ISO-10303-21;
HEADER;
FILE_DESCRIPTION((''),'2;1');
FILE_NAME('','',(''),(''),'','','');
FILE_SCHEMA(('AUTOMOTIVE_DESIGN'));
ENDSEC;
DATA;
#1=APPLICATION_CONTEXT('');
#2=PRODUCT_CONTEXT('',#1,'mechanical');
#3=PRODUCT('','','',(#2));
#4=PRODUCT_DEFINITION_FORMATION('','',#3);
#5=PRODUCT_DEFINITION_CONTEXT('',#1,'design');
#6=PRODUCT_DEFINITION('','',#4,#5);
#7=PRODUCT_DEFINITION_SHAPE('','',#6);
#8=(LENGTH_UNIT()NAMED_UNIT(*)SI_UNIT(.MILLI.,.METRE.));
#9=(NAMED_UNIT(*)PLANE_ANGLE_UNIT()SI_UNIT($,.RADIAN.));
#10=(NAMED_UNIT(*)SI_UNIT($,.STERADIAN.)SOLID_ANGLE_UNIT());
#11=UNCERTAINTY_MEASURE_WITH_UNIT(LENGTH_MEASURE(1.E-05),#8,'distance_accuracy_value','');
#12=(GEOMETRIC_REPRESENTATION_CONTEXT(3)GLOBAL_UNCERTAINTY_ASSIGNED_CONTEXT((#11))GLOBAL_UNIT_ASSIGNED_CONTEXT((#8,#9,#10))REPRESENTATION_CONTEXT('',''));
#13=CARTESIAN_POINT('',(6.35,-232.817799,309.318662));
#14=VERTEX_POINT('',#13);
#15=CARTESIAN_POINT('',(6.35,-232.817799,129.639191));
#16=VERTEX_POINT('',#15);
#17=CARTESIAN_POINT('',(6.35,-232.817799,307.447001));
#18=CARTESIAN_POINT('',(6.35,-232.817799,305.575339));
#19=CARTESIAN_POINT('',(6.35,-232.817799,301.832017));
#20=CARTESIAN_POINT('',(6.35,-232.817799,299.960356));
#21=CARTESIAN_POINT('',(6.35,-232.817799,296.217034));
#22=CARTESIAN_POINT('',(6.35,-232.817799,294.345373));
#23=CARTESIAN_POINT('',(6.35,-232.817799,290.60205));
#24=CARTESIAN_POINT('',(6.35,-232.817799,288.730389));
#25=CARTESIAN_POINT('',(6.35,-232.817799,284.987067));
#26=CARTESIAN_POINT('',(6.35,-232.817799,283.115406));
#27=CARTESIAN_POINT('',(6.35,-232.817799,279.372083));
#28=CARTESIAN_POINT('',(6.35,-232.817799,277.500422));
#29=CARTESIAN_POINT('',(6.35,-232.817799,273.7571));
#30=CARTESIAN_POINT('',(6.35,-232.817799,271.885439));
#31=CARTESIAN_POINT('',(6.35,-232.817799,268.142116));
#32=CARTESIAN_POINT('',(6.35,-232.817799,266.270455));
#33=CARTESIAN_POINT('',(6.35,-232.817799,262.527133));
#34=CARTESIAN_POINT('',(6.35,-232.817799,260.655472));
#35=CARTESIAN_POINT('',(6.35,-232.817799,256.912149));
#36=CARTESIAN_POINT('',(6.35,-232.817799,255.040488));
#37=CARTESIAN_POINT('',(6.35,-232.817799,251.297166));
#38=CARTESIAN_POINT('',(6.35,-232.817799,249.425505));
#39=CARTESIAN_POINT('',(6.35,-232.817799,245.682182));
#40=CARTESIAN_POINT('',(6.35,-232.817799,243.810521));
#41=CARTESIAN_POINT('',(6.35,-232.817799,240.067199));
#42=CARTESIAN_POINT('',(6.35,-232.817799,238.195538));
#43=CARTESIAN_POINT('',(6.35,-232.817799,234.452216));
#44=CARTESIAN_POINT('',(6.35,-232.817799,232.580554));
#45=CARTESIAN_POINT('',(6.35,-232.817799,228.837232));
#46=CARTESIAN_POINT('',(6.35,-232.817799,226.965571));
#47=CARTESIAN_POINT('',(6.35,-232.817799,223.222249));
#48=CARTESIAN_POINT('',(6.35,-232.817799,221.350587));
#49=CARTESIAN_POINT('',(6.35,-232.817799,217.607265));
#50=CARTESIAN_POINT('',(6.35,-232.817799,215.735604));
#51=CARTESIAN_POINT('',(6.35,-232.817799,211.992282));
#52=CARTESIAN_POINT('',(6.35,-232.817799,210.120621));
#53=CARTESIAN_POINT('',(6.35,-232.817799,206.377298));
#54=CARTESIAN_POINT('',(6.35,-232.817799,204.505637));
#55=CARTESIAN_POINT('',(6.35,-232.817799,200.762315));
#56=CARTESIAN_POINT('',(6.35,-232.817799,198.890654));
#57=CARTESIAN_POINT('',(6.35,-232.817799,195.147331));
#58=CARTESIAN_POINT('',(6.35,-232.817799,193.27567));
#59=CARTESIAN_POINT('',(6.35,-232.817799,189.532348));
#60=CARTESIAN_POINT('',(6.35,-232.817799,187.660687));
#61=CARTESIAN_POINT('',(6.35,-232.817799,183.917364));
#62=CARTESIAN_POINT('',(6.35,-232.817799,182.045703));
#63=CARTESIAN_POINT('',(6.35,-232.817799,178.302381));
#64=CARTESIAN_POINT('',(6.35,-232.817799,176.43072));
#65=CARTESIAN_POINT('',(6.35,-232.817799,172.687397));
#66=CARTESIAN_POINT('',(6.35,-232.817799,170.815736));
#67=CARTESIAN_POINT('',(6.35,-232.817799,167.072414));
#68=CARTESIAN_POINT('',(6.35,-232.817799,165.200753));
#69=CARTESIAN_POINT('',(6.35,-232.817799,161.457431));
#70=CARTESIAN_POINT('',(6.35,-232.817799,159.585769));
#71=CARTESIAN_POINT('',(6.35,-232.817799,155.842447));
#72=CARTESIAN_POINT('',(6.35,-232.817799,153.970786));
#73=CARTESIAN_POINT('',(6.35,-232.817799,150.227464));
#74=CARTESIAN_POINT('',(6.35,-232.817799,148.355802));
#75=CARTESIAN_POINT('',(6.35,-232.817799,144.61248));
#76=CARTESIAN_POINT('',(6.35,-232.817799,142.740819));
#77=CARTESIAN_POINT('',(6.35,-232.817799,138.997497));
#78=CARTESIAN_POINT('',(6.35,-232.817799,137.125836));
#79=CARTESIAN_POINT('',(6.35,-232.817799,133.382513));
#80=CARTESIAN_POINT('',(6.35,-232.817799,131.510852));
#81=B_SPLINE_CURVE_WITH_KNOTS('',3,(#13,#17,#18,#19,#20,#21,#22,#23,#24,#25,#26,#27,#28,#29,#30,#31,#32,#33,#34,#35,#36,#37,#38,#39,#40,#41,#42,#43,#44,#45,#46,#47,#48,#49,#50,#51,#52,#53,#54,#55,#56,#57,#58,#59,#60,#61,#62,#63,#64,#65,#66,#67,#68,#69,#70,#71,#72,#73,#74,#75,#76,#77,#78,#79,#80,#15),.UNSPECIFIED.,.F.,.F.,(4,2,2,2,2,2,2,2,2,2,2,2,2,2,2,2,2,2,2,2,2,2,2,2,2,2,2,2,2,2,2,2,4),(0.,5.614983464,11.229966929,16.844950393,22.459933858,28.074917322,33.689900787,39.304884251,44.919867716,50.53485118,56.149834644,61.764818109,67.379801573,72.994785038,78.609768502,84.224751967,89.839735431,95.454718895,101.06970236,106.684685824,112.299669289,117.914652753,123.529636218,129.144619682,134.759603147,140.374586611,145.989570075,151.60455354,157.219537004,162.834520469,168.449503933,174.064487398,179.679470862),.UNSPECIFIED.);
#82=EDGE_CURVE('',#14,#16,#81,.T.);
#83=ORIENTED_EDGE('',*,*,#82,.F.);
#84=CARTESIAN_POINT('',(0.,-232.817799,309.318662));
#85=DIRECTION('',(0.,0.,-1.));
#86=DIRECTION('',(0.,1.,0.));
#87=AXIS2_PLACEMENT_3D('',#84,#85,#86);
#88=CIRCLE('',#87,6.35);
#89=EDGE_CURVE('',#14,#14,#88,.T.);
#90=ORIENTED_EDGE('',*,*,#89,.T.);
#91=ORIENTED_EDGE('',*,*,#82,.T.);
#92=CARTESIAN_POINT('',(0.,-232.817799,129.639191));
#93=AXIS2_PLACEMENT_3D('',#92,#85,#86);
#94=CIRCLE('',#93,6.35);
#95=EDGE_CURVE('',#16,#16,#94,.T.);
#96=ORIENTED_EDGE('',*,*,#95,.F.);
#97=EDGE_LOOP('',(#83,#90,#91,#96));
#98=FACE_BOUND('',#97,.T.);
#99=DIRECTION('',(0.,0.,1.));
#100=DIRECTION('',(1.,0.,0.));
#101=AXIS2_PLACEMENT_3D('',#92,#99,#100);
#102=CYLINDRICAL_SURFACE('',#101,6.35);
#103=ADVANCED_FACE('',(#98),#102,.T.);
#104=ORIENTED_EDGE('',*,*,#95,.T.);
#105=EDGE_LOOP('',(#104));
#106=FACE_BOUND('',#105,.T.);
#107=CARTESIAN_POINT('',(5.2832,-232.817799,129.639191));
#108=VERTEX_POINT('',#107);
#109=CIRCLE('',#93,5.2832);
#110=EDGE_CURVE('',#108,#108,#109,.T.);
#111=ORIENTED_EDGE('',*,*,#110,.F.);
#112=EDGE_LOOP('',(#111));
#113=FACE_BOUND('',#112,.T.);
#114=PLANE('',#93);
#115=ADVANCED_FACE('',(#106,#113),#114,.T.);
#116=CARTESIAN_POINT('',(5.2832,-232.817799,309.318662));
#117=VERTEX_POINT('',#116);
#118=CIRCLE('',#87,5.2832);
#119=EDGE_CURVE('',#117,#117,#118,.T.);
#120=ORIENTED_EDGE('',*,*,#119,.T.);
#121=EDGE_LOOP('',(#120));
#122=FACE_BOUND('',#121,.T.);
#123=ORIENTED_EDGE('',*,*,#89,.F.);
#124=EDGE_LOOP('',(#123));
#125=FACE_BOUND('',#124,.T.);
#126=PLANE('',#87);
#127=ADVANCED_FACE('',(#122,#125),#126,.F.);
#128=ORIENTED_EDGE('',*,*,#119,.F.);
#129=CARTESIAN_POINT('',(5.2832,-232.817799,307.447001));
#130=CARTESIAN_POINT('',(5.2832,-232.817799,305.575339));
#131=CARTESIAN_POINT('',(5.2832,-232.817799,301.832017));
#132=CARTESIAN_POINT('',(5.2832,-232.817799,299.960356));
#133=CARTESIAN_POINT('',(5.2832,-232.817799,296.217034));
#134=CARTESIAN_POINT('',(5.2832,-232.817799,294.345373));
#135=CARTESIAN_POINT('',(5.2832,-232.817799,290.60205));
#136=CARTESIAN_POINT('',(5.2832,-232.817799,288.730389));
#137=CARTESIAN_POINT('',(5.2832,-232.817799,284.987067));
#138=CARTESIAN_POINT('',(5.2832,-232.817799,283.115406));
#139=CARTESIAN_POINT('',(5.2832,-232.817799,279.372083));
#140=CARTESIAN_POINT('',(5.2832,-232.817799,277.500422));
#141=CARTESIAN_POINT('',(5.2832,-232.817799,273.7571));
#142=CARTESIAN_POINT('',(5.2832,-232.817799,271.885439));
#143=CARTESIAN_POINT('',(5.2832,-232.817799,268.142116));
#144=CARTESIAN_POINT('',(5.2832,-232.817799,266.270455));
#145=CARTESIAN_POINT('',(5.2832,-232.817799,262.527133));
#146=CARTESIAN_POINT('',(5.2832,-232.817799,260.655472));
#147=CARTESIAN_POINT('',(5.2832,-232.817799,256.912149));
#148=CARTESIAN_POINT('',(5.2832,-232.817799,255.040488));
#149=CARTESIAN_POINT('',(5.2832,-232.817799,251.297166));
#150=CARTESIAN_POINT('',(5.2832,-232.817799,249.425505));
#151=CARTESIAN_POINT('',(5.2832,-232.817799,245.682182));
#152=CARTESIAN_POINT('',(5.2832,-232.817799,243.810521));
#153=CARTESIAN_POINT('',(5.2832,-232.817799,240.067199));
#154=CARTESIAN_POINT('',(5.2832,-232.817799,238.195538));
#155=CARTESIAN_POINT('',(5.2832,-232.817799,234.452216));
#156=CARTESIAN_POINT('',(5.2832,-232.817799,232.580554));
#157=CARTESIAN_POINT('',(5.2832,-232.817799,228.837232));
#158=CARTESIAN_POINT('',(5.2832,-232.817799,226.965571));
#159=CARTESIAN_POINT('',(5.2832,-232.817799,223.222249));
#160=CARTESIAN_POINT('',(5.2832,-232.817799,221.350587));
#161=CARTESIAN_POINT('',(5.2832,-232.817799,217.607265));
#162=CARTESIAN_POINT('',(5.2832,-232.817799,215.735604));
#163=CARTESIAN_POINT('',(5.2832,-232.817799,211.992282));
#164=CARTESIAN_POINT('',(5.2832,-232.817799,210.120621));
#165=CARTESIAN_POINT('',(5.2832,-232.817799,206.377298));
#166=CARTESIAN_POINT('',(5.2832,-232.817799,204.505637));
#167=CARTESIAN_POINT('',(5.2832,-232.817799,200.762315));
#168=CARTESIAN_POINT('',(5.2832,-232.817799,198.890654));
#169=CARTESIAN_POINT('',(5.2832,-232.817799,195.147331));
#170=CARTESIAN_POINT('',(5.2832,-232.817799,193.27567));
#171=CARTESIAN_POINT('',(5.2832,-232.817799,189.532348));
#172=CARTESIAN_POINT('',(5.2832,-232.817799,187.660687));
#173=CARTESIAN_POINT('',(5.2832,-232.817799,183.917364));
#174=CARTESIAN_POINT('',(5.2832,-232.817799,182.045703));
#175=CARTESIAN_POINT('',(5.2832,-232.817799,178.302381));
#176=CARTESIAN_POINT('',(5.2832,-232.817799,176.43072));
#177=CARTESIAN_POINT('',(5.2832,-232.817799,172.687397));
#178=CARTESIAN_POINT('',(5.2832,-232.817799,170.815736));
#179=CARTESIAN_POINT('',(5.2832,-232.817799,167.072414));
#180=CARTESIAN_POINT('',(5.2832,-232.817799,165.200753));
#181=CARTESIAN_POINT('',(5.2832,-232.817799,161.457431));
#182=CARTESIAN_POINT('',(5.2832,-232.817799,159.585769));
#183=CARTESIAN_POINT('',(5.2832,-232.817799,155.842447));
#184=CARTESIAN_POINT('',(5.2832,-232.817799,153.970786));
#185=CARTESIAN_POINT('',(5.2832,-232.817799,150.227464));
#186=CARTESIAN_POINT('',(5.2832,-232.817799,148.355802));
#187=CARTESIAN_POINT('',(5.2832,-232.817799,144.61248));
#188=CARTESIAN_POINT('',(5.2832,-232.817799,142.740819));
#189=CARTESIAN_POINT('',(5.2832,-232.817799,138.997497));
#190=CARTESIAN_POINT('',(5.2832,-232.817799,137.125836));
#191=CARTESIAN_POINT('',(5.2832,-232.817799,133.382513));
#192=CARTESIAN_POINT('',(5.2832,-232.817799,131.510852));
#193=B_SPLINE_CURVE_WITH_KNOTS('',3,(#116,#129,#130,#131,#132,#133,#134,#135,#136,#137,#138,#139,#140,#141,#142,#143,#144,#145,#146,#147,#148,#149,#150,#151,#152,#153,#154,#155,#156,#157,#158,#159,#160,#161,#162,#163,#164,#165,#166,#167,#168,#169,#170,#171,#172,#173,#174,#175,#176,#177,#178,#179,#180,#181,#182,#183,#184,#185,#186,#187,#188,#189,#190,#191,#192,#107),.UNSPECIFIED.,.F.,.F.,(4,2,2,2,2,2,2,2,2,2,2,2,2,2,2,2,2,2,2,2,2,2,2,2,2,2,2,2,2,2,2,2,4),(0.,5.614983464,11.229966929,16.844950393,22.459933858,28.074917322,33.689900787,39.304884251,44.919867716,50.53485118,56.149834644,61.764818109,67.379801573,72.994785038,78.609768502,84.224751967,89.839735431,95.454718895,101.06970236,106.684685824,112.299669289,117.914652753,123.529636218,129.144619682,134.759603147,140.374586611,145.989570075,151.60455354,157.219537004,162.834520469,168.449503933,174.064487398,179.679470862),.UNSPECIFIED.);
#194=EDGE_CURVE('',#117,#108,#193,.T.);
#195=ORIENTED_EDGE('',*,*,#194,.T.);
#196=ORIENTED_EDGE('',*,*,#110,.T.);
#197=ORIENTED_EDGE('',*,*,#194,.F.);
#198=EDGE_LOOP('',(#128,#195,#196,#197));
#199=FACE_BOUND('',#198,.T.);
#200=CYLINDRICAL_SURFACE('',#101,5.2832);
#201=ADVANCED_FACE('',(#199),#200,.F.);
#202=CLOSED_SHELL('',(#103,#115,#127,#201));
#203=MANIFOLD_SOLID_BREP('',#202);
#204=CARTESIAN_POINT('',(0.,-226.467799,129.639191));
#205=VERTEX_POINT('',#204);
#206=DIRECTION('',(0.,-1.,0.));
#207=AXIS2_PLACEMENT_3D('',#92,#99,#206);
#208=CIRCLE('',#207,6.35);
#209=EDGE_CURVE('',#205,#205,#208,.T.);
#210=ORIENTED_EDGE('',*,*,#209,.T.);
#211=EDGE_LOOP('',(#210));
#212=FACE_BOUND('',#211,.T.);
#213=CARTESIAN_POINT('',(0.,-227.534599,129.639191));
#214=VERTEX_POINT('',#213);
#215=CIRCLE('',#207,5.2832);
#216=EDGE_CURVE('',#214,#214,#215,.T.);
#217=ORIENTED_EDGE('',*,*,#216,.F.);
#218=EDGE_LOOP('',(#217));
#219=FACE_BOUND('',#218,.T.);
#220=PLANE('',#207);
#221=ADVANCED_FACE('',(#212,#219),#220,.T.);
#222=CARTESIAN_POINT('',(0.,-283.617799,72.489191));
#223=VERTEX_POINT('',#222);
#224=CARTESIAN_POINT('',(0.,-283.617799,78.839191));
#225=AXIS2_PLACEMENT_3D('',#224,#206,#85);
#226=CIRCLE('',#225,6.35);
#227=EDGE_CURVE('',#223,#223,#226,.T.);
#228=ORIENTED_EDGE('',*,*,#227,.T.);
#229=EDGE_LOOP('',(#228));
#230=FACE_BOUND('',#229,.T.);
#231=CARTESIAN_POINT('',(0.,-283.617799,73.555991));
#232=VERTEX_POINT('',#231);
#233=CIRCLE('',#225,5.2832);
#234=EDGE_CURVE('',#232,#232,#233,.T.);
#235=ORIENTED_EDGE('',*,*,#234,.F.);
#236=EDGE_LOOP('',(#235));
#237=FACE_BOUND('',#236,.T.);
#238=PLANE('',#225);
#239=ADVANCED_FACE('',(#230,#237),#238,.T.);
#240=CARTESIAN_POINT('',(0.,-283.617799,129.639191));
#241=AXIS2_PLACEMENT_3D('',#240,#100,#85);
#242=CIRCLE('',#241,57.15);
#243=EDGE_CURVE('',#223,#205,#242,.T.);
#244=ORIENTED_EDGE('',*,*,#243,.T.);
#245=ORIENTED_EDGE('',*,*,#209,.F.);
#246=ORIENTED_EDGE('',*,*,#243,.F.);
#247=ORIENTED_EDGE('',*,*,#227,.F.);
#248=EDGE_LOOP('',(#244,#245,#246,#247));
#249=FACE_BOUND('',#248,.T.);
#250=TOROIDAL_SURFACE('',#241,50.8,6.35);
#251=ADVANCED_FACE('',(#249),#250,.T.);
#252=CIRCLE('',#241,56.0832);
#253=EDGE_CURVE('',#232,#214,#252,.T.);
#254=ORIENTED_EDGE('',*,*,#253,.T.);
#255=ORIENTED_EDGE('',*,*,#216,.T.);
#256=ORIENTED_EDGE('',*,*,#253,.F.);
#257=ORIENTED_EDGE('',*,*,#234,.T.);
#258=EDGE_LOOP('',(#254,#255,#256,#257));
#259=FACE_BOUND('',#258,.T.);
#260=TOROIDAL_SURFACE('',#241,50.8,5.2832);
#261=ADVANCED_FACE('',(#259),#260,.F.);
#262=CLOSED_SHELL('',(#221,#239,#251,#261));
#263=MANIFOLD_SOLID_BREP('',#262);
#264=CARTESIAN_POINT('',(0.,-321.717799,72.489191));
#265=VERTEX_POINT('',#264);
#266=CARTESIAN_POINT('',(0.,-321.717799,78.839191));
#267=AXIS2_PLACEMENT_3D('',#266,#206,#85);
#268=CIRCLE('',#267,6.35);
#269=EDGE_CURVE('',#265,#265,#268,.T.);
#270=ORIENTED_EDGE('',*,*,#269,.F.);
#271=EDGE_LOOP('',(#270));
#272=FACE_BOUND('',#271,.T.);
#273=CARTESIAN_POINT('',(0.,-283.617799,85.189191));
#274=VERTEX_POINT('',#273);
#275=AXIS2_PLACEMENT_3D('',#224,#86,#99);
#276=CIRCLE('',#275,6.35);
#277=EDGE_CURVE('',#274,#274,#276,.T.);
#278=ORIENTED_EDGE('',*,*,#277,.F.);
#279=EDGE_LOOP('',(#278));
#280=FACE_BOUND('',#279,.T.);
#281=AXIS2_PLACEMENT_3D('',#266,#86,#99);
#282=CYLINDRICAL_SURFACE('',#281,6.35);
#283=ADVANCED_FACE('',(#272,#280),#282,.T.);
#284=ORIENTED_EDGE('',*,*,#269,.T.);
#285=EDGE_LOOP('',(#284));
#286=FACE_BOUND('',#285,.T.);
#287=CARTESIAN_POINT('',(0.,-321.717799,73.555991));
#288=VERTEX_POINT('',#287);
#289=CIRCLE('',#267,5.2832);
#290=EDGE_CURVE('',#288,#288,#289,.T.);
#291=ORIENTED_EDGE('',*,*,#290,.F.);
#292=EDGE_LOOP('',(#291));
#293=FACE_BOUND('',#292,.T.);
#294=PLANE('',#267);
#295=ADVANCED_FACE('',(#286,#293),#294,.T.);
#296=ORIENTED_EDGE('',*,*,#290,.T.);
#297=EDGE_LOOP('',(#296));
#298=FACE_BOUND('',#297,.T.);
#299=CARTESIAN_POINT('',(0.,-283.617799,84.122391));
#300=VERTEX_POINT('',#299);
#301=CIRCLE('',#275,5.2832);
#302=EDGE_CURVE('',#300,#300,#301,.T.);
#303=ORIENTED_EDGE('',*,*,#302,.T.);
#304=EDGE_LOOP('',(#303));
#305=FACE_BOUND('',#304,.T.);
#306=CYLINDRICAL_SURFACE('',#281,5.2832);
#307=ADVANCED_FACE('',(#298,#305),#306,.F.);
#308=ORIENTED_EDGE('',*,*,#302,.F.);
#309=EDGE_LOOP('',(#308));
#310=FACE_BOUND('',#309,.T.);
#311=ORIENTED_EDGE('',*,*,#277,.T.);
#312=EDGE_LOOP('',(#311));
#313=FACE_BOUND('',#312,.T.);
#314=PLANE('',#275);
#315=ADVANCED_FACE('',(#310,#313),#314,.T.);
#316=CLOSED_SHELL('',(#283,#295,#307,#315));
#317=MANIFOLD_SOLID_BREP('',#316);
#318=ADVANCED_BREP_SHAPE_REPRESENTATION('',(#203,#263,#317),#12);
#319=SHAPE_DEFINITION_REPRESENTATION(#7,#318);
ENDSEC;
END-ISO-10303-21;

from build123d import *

# Parameters (mm, degrees)
SKETCH11_ON_SEGMENT_1_R   = 6.35
SKETCH11_ON_SEGMENT_1_R_2 = 5.2832
PIPE_0_5_SCH_40_1_DEPTH   = 179.679470862
SKETCH11_ON_SEGMENT_2_R   = 6.35
SKETCH11_ON_SEGMENT_2_R_2 = 5.2832
PIPE_0_5_SCH_40_1_2_ANGLE = 90
SKETCH11_R                = 6.35
SKETCH11_R_2              = 5.2832
PIPE_0_5_SCH_40_1_3_DEPTH = 38.1


with BuildPart() as part:
    # Sketch11 on segment 1 (carried to segment 1) → Pipe 0.5 SCH 40(1) (new body)
    with BuildSketch(Plane(origin=(0, -232.817799036, 129.639190881), x_dir=(0, -1, 0), z_dir=(0, 0, 1))):
        Circle(SKETCH11_ON_SEGMENT_1_R)
        Circle(SKETCH11_ON_SEGMENT_1_R_2, mode=Mode.SUBTRACT)
    extrude(amount=PIPE_0_5_SCH_40_1_DEPTH)


with BuildPart() as body_2:
    # Sketch11 on segment 2 (carried to the start of arc 2) → Pipe 0.5 SCH 40_1 2 (revolve)
    with BuildSketch(Plane(origin=(0, -232.817799036, 129.639190881), x_dir=(0, 1, 0), z_dir=(0, 0, -1))):
        Circle(SKETCH11_ON_SEGMENT_2_R)
        Circle(SKETCH11_ON_SEGMENT_2_R_2, mode=Mode.SUBTRACT)
    revolve(axis=Axis((0, -283.617799036, 129.639190881), (-1, 0, 0)), revolution_arc=PIPE_0_5_SCH_40_1_2_ANGLE)


with BuildPart() as body_3:
    # Sketch11 → Pipe 0.5 SCH 40_1 3 (new body)
    with BuildSketch(Plane(origin=(0, -283.617799036, 78.839190881), x_dir=(0, 0, -1), z_dir=(0, -1, 0))):
        Circle(SKETCH11_R)
        Circle(SKETCH11_R_2, mode=Mode.SUBTRACT)
    extrude(amount=PIPE_0_5_SCH_40_1_3_DEPTH)


solid = Compound([part.part, body_2.part, body_3.part])
